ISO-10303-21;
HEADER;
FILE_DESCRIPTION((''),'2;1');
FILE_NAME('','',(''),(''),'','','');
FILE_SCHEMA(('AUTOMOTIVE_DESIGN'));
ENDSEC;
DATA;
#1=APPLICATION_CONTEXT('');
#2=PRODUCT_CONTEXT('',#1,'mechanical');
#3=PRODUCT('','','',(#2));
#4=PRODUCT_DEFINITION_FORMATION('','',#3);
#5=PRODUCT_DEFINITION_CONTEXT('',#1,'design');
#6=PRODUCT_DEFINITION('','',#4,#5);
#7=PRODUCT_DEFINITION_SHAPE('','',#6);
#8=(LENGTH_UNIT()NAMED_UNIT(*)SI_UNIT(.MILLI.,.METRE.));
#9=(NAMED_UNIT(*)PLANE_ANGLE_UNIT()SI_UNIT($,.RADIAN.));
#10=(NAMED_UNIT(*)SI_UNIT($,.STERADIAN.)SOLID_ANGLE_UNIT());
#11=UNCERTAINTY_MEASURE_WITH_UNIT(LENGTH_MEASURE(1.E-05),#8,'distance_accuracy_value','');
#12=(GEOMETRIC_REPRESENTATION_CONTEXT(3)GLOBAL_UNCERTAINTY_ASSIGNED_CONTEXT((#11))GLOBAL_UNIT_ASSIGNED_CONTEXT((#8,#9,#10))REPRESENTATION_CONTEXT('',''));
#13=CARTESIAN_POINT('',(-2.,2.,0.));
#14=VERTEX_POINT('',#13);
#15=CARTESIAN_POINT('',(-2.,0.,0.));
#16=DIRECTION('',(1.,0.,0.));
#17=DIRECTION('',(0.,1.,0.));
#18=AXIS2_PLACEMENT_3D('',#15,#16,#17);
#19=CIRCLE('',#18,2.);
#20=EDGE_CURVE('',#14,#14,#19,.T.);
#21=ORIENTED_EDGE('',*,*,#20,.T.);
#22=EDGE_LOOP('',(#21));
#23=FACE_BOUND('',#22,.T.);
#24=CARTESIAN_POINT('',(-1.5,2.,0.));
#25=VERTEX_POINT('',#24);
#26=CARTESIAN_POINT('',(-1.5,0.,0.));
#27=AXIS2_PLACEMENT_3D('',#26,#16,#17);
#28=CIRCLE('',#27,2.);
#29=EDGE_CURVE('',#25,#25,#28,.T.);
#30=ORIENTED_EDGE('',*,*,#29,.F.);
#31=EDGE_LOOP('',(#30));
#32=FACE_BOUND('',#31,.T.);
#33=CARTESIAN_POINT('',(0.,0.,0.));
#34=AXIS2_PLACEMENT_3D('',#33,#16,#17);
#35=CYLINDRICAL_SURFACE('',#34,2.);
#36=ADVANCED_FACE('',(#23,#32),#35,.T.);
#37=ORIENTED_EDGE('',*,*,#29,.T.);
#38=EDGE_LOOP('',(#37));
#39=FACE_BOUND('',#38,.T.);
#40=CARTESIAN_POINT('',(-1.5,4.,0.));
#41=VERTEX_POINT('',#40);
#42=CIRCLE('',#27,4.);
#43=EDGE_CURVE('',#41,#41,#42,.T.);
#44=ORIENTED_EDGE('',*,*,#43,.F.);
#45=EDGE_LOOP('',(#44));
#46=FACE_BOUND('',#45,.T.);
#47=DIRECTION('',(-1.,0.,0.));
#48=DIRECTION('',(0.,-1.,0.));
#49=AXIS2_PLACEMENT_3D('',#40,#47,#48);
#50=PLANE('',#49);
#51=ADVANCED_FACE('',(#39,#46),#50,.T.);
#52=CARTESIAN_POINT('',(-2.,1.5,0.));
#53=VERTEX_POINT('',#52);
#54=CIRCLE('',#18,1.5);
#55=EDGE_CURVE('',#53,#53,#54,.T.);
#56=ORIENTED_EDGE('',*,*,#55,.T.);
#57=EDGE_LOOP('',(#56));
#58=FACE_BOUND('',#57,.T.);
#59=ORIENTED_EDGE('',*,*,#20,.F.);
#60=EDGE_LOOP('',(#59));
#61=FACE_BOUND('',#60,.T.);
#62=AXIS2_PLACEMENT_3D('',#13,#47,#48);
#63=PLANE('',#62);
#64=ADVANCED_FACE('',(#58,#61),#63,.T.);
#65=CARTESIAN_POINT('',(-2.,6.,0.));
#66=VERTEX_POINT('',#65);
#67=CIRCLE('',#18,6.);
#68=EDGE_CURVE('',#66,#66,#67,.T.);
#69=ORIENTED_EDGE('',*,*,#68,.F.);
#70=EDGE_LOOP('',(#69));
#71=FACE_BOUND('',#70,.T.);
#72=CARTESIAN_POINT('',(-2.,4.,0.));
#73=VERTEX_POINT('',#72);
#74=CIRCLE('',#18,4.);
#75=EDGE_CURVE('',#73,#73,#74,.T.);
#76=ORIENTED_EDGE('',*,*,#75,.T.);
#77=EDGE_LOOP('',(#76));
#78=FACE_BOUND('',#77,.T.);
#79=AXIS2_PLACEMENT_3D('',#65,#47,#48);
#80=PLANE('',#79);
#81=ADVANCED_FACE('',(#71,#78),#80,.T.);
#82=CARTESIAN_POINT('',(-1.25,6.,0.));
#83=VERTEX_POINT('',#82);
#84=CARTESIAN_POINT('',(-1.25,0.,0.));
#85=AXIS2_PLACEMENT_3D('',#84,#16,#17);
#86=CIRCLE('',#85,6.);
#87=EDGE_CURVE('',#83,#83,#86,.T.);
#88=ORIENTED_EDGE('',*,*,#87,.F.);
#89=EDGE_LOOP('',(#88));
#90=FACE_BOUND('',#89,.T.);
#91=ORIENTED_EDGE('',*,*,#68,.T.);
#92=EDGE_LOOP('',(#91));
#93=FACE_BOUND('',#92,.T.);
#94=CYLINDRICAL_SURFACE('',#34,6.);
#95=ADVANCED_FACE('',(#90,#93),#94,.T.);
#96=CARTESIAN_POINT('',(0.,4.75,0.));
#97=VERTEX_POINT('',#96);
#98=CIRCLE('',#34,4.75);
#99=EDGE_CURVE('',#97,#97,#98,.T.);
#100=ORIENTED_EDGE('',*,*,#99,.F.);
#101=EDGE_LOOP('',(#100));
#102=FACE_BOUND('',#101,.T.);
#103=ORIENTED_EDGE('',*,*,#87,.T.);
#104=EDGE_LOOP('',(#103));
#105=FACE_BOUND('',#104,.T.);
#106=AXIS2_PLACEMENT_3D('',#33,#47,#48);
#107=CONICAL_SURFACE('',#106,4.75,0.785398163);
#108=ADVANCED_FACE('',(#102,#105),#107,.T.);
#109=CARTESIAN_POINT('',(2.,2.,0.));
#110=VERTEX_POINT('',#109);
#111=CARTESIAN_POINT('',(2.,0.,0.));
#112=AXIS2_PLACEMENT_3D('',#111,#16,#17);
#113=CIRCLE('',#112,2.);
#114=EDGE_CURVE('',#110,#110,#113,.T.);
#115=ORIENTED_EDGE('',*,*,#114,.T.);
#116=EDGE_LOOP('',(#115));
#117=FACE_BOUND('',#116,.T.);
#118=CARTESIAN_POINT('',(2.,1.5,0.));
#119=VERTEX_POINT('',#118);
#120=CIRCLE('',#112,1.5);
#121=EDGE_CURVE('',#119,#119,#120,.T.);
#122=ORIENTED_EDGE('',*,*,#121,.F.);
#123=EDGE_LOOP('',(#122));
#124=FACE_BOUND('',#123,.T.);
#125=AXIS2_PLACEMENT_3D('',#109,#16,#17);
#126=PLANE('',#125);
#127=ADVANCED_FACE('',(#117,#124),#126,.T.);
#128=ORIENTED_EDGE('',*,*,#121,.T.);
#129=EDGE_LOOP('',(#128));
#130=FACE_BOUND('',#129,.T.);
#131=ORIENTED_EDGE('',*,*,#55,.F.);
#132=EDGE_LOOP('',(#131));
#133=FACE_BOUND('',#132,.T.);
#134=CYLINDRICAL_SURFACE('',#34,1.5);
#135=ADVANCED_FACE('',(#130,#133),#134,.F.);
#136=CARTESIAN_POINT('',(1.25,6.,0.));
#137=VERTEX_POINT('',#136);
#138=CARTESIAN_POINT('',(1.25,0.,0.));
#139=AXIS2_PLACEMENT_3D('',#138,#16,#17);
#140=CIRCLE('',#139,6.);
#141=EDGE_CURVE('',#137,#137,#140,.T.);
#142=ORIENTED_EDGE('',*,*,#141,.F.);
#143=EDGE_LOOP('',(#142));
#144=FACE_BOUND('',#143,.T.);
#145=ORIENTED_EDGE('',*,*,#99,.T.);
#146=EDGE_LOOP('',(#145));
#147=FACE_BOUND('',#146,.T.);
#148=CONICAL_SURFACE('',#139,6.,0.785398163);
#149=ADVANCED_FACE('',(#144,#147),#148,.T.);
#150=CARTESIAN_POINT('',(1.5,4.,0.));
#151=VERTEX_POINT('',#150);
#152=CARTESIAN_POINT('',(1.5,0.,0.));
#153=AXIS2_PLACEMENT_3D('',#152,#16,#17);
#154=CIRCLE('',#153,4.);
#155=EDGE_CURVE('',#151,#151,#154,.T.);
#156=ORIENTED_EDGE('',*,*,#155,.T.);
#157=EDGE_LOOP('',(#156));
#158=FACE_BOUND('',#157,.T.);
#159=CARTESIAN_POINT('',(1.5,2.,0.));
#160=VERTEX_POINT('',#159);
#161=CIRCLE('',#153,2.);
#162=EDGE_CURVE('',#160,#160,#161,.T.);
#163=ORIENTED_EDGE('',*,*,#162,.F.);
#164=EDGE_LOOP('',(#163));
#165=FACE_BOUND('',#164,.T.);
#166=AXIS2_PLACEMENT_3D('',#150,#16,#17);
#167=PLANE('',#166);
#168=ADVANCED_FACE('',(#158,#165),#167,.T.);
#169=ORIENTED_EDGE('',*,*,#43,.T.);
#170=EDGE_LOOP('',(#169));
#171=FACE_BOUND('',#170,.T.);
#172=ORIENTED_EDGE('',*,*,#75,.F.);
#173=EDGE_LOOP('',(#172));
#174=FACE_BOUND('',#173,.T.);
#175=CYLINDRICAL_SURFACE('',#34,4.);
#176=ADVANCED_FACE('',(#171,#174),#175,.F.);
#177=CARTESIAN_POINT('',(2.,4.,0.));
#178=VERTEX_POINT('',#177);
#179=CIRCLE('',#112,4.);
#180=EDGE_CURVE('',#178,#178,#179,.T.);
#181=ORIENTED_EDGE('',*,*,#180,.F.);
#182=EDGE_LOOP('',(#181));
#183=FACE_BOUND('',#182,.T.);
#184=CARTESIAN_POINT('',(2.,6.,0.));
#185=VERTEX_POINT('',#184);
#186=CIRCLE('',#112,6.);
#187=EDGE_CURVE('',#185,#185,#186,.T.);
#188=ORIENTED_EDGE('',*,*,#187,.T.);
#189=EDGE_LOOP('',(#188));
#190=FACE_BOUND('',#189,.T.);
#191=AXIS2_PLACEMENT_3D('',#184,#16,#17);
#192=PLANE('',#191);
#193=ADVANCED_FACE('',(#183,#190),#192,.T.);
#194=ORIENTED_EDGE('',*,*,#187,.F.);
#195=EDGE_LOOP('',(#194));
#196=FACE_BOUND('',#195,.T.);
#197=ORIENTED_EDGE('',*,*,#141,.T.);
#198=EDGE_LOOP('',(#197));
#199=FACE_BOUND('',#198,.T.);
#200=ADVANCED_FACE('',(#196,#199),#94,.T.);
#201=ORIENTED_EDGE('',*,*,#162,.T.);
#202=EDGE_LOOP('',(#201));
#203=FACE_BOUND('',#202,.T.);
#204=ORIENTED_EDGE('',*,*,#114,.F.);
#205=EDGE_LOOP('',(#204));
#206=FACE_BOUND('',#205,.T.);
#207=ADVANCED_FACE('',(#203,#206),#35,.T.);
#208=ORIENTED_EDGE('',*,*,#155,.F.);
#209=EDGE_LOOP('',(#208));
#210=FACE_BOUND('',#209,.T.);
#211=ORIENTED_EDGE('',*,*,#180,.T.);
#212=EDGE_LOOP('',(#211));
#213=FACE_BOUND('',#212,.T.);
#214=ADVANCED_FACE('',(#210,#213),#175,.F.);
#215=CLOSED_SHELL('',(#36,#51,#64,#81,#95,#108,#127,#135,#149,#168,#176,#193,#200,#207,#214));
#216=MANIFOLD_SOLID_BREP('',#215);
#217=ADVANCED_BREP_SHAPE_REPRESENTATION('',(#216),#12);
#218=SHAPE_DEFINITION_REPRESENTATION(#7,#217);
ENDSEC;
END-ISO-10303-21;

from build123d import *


with BuildPart() as part:
    # Szkic1 → Obrót1 (revolve)
    with BuildSketch(Plane.XY):
        Polygon((0, 4.75), (-1.25, 6), (-2, 6), (-2, 4), (-1.5, 4), (-1.5, 2), (-2, 2), (-2, 1.5), (2, 1.5), (2, 2), (1.5, 2), (1.5, 4), (2, 4), (2, 6), (1.25, 6), align=None)
    revolve(axis=Axis((0, 0, 0), (-1, 0, 0)))


solid = part.part
